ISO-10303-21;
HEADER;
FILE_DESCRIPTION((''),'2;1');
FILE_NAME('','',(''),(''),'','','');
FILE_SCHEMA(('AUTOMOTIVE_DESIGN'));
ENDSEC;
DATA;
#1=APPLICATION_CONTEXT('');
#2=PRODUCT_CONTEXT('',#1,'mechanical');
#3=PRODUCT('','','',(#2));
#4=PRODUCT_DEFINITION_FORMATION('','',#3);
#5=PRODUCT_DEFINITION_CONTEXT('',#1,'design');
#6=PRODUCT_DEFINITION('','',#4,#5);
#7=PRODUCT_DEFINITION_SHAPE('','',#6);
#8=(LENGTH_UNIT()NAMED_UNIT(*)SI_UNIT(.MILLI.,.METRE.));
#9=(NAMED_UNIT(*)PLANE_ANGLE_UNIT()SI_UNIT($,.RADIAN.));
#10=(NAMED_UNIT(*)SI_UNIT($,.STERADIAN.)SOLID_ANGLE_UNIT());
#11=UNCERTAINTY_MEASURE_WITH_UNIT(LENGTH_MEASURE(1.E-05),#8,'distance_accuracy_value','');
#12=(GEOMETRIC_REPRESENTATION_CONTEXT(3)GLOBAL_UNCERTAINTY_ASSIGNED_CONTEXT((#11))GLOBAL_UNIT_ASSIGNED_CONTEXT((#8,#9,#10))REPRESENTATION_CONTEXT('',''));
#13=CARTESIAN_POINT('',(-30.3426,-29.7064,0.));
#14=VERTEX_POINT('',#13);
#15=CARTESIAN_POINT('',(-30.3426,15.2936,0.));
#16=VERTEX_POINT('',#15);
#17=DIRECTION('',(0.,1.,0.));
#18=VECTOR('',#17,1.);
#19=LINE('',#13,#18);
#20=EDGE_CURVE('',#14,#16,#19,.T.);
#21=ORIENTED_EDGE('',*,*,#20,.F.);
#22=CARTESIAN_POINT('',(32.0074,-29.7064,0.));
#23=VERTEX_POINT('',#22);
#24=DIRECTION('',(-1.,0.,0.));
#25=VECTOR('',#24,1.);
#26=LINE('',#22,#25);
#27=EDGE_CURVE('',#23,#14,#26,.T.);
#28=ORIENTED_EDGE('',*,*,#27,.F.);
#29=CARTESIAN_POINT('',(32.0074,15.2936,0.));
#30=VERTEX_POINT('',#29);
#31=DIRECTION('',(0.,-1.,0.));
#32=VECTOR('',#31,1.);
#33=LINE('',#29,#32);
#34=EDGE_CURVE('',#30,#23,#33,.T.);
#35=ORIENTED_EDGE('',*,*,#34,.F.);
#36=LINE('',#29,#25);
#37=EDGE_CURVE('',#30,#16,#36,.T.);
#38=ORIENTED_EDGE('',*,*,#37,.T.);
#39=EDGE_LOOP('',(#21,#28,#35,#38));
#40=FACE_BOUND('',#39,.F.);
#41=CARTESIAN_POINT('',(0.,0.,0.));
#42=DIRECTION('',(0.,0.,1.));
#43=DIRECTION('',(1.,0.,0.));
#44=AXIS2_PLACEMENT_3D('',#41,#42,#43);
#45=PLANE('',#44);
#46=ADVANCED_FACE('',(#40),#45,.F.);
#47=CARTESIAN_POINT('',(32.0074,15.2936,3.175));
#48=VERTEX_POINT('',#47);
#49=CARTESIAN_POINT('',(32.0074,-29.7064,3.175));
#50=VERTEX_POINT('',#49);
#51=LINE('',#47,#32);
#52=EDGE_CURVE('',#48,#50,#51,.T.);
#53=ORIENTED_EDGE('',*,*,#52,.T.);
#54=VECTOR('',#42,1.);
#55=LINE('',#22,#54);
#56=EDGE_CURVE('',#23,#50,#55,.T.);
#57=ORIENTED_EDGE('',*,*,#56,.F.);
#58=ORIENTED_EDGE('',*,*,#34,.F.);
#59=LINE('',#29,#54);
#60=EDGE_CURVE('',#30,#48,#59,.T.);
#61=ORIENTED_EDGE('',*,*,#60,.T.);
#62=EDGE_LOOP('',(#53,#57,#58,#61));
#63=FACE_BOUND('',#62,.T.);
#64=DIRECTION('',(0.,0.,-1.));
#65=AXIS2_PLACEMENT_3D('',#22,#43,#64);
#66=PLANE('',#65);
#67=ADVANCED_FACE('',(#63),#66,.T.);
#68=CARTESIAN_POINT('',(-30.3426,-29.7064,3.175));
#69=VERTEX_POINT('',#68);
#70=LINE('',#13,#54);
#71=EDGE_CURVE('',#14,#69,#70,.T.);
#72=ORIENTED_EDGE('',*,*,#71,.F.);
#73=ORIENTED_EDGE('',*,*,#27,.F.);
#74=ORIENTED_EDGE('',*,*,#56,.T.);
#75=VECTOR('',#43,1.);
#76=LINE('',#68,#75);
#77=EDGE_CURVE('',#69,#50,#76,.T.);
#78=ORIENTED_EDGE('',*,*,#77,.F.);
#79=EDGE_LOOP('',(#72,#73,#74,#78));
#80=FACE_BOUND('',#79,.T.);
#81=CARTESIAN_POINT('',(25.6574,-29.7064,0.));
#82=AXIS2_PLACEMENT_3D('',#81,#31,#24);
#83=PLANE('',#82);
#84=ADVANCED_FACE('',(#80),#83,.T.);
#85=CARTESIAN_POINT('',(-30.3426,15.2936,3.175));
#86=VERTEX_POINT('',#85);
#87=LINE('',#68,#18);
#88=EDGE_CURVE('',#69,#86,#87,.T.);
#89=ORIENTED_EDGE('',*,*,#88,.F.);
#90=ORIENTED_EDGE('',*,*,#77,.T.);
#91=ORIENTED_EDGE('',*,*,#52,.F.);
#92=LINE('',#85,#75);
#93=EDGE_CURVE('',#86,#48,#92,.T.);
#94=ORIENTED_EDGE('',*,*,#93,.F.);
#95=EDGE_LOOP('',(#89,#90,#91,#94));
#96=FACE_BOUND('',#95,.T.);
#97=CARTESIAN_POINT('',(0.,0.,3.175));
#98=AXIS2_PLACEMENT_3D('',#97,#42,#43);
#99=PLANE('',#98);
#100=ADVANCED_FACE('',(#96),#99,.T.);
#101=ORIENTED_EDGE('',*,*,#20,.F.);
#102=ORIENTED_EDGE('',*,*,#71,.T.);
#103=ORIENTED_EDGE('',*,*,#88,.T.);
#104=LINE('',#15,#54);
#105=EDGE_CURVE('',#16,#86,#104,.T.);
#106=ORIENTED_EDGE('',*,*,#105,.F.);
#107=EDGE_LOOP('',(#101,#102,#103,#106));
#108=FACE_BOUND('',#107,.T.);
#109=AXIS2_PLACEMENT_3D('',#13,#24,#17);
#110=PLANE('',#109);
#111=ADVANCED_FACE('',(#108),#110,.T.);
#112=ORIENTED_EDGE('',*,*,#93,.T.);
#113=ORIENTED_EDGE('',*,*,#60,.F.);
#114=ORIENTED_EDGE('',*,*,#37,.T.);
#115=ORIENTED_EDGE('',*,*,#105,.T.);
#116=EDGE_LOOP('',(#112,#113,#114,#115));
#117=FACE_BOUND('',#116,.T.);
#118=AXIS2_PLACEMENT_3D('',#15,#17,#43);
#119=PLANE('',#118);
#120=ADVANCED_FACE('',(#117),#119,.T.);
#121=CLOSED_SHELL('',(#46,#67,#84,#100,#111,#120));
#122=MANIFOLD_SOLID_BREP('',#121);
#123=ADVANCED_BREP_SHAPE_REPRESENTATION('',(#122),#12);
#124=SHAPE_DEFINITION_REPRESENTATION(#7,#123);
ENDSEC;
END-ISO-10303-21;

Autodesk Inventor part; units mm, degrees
ref_plane "YZ Plane" through (0, 0, 0) normal (1, 0, 0) x (0, 1, 0)
ref_plane "XZ Plane" through (0, 0, 0) normal (0, 1, 0) x (-1, 0, 0)
ref_plane "XY Plane" through (0, 0, 0) normal (0, 0, 1) x (1, 0, 0)
sketch "Sketch1" plane through (0, 0, 0) normal (0, 0, 1) x (1, 0, 0)
  line L0 (-30.3426, 15.2936) -> (25.6574, 15.2936)
  line L1 (25.6574, 15.2936) -> (25.6574, -29.7064)
  line L2 (25.6574, -29.7064) -> (-30.3426, -29.7064)
  line L3 (-30.3426, -29.7064) -> (-30.3426, 15.2936)
  point P0 (0, 0)
  dimension "d0" = 56
  dimension "d1" = 45
extrude "Extrusion1" add sketch "Sketch1" along normal blind 3.175
sketch "Sketch2" plane through (25.6574, -29.7064, 0) normal (1, 0, 0) x (0, 0, -1)
  line L0 (-3.175, 45) -> (-3.175, 0) projected
  line L1 (0, 0) -> (-3.175, 0) projected
  line L2 (0, 45) -> (0, 0) projected
  line L3 (0, 45) -> (-3.175, 45) projected
  point P0 (0, 29.7064)
extrude "Extrusion2" add sketch "Sketch2" along normal blind 6.35
properties part number "backbase"
